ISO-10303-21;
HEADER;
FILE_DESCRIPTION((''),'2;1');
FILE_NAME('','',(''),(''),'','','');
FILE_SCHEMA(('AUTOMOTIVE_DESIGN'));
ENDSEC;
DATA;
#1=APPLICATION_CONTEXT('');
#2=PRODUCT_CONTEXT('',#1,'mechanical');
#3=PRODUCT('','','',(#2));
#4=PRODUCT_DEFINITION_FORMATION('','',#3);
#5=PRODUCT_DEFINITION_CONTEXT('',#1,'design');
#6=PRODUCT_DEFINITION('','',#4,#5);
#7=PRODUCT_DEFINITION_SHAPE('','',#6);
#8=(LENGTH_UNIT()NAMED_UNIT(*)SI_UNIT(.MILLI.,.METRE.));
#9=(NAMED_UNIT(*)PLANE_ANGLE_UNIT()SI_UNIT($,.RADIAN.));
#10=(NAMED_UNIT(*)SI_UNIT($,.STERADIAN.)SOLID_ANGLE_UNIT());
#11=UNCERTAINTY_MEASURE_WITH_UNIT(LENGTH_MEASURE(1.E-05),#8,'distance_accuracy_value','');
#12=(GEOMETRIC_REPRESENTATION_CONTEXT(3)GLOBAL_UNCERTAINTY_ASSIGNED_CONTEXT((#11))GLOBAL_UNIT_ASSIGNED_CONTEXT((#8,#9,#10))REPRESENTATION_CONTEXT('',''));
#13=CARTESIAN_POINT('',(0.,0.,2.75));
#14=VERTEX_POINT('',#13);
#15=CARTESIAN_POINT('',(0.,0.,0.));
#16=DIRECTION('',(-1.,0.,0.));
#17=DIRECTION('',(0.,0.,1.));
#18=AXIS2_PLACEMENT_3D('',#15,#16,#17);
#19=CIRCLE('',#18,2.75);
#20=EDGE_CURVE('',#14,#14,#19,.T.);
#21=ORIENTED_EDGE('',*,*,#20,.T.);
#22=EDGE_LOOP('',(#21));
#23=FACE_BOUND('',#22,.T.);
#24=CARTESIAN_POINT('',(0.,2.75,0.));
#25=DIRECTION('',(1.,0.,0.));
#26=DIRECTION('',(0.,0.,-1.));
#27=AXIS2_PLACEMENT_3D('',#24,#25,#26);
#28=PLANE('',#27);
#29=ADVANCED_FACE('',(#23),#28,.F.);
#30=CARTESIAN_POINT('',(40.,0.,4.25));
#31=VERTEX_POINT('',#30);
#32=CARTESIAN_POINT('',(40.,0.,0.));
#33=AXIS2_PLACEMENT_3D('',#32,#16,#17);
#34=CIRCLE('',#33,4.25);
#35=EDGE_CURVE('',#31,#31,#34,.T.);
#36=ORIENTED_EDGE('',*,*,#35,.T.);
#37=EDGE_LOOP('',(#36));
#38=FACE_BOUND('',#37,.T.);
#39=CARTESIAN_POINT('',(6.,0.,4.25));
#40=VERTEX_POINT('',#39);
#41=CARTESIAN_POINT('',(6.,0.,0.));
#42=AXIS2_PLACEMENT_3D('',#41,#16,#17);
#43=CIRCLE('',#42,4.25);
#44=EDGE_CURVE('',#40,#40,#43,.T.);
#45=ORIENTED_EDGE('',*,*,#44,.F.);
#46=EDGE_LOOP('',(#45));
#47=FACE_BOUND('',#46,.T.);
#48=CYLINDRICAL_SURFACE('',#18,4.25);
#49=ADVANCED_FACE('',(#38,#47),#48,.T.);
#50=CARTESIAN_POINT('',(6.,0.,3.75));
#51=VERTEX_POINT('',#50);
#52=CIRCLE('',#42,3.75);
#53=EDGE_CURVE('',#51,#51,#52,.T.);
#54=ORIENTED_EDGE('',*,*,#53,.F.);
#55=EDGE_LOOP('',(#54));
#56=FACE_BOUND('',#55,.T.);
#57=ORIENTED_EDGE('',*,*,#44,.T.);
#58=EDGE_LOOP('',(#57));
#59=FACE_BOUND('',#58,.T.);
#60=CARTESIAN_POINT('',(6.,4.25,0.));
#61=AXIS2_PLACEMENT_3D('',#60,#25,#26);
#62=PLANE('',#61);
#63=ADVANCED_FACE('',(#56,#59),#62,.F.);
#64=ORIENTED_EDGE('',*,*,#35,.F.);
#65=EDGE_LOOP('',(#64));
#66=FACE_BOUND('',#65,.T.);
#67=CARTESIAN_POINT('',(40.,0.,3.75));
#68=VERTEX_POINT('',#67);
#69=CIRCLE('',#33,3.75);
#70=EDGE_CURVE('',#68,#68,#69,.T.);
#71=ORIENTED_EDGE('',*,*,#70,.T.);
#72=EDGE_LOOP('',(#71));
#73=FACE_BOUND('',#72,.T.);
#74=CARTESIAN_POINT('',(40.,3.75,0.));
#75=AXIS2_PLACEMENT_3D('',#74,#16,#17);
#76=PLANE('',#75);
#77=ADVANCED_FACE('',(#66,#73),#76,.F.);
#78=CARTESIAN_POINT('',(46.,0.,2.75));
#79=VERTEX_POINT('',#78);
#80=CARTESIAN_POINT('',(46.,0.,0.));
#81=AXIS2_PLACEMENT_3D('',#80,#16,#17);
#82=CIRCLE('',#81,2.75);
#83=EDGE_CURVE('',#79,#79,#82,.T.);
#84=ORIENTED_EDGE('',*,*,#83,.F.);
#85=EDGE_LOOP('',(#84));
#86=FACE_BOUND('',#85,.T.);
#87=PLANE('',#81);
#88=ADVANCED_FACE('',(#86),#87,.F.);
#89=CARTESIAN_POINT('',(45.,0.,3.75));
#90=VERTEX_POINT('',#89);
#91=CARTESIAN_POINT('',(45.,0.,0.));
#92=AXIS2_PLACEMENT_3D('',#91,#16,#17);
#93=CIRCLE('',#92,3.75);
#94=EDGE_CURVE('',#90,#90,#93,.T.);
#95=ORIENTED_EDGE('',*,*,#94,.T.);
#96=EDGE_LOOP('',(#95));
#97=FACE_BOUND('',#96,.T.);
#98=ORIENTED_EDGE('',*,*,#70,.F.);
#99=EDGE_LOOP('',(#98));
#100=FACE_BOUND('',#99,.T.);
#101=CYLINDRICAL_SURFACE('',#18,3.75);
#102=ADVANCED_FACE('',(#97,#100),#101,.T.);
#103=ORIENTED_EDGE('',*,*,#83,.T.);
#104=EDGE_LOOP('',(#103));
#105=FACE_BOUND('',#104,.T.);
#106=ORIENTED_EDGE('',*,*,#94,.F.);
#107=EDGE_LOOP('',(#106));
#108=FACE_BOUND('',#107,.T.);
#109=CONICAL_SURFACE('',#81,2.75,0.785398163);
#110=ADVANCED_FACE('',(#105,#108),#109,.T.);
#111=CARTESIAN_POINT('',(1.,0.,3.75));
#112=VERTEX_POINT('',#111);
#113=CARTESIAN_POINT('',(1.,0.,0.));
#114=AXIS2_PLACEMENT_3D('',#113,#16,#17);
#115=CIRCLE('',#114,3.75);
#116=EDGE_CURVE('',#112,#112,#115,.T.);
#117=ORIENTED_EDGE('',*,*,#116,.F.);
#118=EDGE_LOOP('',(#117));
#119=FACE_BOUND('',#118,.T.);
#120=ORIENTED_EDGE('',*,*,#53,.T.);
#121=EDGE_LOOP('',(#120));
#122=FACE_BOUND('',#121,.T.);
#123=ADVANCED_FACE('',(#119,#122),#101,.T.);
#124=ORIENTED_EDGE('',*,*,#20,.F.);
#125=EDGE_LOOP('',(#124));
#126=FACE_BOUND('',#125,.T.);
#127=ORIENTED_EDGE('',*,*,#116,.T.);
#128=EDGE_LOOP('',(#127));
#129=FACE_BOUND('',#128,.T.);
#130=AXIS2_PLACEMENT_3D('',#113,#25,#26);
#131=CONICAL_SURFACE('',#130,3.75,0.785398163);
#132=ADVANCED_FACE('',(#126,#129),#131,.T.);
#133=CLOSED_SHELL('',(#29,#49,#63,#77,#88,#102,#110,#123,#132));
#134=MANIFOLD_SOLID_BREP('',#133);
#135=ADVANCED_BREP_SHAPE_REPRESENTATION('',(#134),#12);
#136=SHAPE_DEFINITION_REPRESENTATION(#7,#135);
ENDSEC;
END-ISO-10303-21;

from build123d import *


with BuildPart() as part:
    # Szkic1 → Obrót1 (revolve)
    with BuildSketch(Plane.XY):
        Polygon((0, 0), (46, 0), (46, 2.75), (45, 3.75), (40, 3.75), (40, 4.25), (6, 4.25), (6, 3.75), (1, 3.75), (0, 2.75), align=None)
    revolve(axis=Axis((0, 0, 0), (1, 0, 0)))


solid = part.part
